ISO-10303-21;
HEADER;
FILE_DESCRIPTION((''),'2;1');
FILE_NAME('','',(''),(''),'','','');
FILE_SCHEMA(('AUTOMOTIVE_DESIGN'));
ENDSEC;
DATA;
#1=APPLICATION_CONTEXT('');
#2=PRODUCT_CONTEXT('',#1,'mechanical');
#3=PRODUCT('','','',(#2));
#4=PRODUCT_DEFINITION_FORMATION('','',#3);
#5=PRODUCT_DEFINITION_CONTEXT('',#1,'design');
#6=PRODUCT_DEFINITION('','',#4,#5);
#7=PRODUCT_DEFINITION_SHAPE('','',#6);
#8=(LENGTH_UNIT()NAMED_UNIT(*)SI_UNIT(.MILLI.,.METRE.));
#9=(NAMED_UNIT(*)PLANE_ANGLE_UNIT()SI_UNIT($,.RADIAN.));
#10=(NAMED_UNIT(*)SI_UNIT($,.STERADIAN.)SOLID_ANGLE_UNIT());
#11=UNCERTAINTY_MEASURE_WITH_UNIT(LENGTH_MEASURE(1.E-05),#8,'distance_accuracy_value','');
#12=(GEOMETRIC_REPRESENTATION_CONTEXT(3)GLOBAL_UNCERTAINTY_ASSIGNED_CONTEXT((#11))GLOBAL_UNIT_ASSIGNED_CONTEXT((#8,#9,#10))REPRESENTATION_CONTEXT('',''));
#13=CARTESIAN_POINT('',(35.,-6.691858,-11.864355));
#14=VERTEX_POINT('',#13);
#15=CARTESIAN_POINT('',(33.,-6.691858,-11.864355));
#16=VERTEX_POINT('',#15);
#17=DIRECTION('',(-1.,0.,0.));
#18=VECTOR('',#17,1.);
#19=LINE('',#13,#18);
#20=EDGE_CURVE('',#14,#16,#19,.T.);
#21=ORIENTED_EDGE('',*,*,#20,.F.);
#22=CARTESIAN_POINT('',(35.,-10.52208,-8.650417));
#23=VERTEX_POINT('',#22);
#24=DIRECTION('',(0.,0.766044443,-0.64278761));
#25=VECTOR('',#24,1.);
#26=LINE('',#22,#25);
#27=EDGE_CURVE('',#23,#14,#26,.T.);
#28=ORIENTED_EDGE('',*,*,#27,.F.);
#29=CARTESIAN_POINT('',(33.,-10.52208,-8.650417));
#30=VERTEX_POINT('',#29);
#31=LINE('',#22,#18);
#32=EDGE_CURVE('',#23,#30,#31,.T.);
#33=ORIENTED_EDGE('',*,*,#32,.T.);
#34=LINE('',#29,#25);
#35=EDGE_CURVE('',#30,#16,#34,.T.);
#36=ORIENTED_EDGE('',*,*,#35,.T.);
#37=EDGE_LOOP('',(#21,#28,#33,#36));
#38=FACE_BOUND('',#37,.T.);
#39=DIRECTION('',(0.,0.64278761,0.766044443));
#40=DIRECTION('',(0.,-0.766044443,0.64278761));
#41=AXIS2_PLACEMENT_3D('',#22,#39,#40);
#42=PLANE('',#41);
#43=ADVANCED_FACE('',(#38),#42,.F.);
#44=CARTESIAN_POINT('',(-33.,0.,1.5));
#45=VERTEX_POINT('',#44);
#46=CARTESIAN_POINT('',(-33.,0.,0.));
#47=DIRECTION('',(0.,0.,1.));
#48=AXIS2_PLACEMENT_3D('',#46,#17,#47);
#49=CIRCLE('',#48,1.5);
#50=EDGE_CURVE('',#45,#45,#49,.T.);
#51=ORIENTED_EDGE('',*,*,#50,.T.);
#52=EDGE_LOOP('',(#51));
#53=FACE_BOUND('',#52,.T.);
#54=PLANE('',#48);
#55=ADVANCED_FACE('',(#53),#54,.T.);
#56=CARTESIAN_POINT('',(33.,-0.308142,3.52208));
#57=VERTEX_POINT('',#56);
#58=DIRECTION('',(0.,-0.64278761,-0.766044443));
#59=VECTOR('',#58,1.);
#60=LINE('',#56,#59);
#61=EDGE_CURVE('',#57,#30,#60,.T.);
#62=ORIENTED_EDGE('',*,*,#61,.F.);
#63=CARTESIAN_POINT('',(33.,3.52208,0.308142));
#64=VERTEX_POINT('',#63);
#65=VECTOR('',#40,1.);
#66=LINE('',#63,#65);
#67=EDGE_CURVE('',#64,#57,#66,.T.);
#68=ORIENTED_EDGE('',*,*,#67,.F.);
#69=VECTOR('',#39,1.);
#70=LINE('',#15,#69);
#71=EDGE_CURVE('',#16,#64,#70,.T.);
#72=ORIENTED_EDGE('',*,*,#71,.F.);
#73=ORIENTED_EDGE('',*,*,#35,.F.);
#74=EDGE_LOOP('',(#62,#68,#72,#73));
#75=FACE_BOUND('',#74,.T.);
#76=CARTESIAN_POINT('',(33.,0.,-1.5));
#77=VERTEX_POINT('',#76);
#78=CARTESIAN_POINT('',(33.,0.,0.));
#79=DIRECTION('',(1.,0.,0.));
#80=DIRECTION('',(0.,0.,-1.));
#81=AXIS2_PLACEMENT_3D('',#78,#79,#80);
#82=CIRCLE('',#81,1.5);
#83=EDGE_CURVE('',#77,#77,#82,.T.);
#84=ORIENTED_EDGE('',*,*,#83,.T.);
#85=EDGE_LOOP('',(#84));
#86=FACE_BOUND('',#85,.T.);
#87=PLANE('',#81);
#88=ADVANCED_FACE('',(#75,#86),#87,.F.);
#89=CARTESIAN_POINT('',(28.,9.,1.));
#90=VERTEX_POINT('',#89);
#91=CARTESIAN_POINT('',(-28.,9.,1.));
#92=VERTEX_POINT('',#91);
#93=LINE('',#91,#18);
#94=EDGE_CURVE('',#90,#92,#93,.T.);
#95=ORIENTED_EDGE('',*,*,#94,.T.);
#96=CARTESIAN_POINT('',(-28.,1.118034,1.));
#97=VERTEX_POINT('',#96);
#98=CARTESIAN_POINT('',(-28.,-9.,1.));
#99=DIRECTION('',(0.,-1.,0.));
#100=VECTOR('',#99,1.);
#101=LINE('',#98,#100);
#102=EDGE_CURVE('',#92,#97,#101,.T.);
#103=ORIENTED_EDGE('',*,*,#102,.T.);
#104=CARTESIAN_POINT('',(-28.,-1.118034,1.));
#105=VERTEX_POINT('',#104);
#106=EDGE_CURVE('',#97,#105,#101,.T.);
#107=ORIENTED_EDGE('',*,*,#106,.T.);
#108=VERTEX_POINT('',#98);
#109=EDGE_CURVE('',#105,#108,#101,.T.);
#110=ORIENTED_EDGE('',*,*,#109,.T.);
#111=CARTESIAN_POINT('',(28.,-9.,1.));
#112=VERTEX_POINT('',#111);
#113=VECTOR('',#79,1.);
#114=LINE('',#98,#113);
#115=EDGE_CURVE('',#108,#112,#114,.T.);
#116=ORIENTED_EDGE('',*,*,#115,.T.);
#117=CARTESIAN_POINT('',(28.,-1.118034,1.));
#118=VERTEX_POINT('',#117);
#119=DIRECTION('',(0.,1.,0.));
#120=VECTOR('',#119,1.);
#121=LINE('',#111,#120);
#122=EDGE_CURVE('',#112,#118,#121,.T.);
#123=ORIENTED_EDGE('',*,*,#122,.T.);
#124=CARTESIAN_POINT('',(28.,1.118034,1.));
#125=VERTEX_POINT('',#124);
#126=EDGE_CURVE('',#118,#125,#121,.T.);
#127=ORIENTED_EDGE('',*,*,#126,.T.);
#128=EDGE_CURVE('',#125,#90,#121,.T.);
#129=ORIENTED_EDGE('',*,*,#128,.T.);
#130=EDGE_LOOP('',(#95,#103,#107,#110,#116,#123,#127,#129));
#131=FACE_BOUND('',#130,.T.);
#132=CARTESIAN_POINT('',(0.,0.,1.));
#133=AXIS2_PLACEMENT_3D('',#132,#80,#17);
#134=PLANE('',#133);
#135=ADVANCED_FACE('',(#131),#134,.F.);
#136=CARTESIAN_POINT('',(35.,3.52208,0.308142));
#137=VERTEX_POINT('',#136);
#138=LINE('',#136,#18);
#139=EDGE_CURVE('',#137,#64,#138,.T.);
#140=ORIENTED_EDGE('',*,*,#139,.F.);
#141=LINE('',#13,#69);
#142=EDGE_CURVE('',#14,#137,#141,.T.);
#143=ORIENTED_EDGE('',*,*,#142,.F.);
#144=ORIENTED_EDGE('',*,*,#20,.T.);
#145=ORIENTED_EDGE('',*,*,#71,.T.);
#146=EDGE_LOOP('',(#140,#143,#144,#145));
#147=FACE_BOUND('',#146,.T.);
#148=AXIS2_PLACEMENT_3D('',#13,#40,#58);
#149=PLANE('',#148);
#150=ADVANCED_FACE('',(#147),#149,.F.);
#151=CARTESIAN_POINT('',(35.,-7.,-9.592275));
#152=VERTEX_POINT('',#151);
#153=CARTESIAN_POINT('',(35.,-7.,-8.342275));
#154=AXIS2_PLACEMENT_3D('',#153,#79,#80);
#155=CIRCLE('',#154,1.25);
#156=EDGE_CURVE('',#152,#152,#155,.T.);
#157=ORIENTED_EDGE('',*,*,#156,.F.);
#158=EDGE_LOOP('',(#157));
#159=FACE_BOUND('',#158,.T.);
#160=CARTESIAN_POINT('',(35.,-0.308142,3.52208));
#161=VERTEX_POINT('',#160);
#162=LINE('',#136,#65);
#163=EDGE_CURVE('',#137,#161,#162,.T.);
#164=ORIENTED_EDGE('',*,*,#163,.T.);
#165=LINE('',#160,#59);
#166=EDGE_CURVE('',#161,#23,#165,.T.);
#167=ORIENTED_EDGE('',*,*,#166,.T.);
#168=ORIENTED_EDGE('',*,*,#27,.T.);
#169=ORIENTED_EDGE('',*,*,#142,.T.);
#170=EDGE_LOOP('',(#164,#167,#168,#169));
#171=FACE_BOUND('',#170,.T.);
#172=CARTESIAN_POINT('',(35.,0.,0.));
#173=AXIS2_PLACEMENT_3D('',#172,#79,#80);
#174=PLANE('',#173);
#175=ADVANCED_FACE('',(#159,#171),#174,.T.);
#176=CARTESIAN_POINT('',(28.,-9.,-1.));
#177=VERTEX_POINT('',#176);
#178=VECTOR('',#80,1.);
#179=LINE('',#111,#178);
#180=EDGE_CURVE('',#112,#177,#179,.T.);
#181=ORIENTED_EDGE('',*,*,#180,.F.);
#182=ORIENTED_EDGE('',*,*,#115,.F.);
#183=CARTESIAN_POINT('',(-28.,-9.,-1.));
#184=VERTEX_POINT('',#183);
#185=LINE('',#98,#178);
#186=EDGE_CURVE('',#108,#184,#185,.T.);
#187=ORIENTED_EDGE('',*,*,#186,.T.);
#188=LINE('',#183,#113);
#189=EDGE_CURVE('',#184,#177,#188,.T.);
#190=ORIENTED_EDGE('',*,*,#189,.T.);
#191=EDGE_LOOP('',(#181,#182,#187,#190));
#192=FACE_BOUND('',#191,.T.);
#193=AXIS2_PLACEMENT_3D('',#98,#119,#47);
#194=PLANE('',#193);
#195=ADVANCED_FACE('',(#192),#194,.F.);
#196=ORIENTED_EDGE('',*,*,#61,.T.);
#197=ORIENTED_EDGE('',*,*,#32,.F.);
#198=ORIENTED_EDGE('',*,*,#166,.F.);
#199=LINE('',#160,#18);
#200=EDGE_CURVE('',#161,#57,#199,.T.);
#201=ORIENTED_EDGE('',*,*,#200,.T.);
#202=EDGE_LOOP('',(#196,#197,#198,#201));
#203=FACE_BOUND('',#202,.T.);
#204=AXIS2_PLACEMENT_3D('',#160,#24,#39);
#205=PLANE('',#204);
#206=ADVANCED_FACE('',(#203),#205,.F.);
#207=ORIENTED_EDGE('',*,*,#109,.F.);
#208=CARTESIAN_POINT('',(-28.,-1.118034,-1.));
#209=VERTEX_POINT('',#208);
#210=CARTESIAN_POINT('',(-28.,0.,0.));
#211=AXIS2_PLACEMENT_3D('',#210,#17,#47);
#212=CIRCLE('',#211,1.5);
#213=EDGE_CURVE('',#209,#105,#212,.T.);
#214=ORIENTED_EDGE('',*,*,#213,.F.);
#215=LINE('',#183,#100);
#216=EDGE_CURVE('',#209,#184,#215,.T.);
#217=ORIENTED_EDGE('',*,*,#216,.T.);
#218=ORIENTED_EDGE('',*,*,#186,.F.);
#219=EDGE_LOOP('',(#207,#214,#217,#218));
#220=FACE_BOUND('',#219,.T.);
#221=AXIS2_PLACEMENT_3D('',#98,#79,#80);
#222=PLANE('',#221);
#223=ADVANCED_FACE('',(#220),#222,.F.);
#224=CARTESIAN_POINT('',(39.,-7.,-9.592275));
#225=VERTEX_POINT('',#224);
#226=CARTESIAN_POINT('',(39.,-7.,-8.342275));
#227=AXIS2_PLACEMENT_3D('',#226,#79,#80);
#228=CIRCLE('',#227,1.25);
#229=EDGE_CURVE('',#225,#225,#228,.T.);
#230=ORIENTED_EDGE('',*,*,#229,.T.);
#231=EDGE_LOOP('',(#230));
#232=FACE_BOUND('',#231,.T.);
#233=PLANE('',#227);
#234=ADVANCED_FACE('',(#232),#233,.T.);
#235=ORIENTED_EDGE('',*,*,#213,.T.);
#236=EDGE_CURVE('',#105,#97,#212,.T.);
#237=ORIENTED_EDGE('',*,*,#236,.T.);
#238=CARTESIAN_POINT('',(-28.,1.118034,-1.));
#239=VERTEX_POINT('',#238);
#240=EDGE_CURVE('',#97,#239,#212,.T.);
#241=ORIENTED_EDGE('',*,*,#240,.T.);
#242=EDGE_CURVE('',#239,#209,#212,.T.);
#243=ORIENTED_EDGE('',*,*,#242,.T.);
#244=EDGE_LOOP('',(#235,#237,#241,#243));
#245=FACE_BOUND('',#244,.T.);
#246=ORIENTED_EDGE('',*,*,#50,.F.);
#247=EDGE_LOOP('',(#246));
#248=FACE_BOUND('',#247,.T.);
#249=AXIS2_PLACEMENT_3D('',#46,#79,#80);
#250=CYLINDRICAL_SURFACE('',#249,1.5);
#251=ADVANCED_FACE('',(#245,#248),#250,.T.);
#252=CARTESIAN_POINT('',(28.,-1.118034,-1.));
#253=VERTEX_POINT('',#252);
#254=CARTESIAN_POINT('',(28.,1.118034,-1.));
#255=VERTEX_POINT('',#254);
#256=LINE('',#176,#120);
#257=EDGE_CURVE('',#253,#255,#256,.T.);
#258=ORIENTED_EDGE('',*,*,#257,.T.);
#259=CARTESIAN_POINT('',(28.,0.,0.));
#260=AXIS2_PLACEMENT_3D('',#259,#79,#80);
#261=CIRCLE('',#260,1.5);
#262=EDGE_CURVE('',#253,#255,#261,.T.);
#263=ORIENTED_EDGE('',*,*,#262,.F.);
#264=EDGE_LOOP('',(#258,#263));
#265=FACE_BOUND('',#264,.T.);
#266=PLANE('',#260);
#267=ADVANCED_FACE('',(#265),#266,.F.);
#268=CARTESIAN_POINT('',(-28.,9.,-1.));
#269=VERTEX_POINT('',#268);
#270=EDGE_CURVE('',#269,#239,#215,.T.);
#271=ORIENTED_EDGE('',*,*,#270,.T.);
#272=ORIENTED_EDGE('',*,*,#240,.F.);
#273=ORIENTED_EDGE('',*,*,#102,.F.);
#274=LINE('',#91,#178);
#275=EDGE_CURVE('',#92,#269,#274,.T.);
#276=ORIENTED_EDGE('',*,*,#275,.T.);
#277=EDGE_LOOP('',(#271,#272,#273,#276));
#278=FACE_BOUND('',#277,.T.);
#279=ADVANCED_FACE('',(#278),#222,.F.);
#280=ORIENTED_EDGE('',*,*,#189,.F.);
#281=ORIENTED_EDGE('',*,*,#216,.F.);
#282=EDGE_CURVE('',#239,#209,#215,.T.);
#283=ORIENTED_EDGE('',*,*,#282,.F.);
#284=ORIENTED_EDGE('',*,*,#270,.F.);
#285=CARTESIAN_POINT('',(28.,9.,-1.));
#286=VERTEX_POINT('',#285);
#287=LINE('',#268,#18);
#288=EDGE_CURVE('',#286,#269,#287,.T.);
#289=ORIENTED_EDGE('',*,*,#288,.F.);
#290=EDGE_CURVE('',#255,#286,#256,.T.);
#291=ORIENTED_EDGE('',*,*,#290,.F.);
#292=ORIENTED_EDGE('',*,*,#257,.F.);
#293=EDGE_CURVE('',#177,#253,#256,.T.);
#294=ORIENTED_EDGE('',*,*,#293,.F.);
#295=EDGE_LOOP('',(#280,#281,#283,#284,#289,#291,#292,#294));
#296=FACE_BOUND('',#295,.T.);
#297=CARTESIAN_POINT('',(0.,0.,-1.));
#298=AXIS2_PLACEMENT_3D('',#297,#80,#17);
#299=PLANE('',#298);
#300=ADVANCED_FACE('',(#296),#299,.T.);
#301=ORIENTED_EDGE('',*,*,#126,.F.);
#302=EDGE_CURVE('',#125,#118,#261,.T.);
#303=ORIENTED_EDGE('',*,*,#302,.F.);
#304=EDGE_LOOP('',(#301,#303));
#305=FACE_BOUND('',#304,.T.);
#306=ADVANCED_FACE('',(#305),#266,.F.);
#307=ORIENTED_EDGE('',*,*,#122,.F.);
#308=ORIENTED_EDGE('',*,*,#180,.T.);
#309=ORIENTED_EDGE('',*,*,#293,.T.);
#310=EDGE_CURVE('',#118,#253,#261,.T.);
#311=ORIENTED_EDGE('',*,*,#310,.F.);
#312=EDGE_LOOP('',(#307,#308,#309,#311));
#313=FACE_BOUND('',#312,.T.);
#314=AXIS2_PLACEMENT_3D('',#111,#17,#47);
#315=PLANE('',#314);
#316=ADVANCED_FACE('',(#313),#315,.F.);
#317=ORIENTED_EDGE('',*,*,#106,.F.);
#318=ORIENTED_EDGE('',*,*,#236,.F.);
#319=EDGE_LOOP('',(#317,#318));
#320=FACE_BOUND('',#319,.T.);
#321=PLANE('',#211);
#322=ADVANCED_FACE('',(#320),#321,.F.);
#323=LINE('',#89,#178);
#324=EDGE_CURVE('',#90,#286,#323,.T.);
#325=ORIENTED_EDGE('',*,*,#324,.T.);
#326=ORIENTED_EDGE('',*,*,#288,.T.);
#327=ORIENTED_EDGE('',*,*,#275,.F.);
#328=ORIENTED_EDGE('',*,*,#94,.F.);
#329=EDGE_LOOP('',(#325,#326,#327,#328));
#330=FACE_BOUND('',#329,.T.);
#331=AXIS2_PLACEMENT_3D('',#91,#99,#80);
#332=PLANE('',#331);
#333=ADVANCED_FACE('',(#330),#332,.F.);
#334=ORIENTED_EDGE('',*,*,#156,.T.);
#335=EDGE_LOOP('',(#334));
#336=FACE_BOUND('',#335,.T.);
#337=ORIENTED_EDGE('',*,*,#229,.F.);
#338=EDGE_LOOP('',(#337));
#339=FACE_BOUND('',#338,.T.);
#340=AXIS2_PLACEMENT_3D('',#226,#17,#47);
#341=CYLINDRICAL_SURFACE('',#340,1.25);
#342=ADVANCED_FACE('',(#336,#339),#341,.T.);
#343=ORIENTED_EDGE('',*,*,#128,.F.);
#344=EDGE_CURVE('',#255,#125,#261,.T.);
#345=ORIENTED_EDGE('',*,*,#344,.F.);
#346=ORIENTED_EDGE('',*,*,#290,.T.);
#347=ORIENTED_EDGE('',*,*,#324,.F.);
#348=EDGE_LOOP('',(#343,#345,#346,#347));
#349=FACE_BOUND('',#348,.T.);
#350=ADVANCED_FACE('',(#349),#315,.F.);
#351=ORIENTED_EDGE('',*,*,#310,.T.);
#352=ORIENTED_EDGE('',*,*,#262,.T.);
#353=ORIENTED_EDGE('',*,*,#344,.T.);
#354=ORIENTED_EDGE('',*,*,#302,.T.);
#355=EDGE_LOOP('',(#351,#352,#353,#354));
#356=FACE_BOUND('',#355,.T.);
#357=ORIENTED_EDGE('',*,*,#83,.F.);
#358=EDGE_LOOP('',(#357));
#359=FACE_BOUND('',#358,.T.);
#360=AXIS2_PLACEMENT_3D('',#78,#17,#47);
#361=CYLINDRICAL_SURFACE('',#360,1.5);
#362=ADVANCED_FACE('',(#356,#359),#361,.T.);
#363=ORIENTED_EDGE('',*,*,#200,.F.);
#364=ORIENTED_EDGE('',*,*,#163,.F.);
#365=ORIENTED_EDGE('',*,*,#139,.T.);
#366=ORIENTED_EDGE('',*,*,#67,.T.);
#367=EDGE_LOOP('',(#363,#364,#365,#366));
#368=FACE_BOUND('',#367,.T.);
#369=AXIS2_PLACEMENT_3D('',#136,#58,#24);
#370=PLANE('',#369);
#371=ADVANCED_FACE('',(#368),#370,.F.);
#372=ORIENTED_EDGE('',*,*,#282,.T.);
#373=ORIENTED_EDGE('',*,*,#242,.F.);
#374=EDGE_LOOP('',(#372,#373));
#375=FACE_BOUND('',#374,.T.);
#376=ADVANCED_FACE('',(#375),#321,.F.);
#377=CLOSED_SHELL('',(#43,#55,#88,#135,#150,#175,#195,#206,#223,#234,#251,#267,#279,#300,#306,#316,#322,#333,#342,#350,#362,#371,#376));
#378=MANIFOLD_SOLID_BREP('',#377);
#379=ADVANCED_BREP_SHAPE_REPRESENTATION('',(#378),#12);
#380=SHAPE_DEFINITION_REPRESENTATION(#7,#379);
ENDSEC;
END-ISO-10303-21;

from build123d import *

# Parameters (mm, degrees)
SKETCH1_W           = 56
SKETCH1_H           = 18
LOUVER_FLAP_DEPTH   = 1
SKETCH2_R           = 1.5
PIVOT_SHAFT_L_DEPTH = 5
PIVOT_SHAFT_R_START = 5
SKETCH3_R           = 1.5
PIVOT_SHAFT_R_DEPTH = 5
CRANK_ARM_DEPTH     = 2
SKETCH5_R           = 1.25
CRANK_PIN_DEPTH     = 4


with BuildPart() as part:
    # Sketch1 → Louver_Flap (new, symmetric)
    with BuildSketch(Plane.XY):
        Rectangle(SKETCH1_W, SKETCH1_H)
    extrude(amount=LOUVER_FLAP_DEPTH, both=True)

    # Sketch2 → Pivot_Shaft_L (add)
    with BuildSketch(Plane.ZY.offset(28)):
        with Locations(Location((0, 0, 0), (0, 0, 131.810314896))):
            Circle(SKETCH2_R)
    extrude(amount=PIVOT_SHAFT_L_DEPTH)

    # Sketch3 → Pivot_Shaft_R (add)
    with BuildSketch(Plane(origin=(28, 0, 0), x_dir=(0, 0, -1), z_dir=(1, 0, 0)).offset(PIVOT_SHAFT_R_START)):
        with Locations(Location((0, 0, 0), (0, 0, 48.189685104))):
            Circle(SKETCH3_R)
    extrude(amount=-PIVOT_SHAFT_R_DEPTH)

    # Sketch4 → Crank_Arm (add)
    with BuildSketch(Plane(origin=(33, 0, 0), x_dir=(0, 0, -1), z_dir=(1, 0, 0))):
        Polygon((-3.522080132, -0.308142084), (8.650417232, -10.522080132), (11.86435528, -6.691857916), (-0.308142084, 3.522080132), align=None)
    extrude(amount=CRANK_ARM_DEPTH)

    # Sketch5 → Crank_Pin (add)
    with BuildSketch(Plane(origin=(35, 0, 0), x_dir=(0, 0, -1), z_dir=(1, 0, 0))):
        with Locations((8.342275148, -7)):
            Circle(SKETCH5_R)
    extrude(amount=CRANK_PIN_DEPTH)


solid = part.part
